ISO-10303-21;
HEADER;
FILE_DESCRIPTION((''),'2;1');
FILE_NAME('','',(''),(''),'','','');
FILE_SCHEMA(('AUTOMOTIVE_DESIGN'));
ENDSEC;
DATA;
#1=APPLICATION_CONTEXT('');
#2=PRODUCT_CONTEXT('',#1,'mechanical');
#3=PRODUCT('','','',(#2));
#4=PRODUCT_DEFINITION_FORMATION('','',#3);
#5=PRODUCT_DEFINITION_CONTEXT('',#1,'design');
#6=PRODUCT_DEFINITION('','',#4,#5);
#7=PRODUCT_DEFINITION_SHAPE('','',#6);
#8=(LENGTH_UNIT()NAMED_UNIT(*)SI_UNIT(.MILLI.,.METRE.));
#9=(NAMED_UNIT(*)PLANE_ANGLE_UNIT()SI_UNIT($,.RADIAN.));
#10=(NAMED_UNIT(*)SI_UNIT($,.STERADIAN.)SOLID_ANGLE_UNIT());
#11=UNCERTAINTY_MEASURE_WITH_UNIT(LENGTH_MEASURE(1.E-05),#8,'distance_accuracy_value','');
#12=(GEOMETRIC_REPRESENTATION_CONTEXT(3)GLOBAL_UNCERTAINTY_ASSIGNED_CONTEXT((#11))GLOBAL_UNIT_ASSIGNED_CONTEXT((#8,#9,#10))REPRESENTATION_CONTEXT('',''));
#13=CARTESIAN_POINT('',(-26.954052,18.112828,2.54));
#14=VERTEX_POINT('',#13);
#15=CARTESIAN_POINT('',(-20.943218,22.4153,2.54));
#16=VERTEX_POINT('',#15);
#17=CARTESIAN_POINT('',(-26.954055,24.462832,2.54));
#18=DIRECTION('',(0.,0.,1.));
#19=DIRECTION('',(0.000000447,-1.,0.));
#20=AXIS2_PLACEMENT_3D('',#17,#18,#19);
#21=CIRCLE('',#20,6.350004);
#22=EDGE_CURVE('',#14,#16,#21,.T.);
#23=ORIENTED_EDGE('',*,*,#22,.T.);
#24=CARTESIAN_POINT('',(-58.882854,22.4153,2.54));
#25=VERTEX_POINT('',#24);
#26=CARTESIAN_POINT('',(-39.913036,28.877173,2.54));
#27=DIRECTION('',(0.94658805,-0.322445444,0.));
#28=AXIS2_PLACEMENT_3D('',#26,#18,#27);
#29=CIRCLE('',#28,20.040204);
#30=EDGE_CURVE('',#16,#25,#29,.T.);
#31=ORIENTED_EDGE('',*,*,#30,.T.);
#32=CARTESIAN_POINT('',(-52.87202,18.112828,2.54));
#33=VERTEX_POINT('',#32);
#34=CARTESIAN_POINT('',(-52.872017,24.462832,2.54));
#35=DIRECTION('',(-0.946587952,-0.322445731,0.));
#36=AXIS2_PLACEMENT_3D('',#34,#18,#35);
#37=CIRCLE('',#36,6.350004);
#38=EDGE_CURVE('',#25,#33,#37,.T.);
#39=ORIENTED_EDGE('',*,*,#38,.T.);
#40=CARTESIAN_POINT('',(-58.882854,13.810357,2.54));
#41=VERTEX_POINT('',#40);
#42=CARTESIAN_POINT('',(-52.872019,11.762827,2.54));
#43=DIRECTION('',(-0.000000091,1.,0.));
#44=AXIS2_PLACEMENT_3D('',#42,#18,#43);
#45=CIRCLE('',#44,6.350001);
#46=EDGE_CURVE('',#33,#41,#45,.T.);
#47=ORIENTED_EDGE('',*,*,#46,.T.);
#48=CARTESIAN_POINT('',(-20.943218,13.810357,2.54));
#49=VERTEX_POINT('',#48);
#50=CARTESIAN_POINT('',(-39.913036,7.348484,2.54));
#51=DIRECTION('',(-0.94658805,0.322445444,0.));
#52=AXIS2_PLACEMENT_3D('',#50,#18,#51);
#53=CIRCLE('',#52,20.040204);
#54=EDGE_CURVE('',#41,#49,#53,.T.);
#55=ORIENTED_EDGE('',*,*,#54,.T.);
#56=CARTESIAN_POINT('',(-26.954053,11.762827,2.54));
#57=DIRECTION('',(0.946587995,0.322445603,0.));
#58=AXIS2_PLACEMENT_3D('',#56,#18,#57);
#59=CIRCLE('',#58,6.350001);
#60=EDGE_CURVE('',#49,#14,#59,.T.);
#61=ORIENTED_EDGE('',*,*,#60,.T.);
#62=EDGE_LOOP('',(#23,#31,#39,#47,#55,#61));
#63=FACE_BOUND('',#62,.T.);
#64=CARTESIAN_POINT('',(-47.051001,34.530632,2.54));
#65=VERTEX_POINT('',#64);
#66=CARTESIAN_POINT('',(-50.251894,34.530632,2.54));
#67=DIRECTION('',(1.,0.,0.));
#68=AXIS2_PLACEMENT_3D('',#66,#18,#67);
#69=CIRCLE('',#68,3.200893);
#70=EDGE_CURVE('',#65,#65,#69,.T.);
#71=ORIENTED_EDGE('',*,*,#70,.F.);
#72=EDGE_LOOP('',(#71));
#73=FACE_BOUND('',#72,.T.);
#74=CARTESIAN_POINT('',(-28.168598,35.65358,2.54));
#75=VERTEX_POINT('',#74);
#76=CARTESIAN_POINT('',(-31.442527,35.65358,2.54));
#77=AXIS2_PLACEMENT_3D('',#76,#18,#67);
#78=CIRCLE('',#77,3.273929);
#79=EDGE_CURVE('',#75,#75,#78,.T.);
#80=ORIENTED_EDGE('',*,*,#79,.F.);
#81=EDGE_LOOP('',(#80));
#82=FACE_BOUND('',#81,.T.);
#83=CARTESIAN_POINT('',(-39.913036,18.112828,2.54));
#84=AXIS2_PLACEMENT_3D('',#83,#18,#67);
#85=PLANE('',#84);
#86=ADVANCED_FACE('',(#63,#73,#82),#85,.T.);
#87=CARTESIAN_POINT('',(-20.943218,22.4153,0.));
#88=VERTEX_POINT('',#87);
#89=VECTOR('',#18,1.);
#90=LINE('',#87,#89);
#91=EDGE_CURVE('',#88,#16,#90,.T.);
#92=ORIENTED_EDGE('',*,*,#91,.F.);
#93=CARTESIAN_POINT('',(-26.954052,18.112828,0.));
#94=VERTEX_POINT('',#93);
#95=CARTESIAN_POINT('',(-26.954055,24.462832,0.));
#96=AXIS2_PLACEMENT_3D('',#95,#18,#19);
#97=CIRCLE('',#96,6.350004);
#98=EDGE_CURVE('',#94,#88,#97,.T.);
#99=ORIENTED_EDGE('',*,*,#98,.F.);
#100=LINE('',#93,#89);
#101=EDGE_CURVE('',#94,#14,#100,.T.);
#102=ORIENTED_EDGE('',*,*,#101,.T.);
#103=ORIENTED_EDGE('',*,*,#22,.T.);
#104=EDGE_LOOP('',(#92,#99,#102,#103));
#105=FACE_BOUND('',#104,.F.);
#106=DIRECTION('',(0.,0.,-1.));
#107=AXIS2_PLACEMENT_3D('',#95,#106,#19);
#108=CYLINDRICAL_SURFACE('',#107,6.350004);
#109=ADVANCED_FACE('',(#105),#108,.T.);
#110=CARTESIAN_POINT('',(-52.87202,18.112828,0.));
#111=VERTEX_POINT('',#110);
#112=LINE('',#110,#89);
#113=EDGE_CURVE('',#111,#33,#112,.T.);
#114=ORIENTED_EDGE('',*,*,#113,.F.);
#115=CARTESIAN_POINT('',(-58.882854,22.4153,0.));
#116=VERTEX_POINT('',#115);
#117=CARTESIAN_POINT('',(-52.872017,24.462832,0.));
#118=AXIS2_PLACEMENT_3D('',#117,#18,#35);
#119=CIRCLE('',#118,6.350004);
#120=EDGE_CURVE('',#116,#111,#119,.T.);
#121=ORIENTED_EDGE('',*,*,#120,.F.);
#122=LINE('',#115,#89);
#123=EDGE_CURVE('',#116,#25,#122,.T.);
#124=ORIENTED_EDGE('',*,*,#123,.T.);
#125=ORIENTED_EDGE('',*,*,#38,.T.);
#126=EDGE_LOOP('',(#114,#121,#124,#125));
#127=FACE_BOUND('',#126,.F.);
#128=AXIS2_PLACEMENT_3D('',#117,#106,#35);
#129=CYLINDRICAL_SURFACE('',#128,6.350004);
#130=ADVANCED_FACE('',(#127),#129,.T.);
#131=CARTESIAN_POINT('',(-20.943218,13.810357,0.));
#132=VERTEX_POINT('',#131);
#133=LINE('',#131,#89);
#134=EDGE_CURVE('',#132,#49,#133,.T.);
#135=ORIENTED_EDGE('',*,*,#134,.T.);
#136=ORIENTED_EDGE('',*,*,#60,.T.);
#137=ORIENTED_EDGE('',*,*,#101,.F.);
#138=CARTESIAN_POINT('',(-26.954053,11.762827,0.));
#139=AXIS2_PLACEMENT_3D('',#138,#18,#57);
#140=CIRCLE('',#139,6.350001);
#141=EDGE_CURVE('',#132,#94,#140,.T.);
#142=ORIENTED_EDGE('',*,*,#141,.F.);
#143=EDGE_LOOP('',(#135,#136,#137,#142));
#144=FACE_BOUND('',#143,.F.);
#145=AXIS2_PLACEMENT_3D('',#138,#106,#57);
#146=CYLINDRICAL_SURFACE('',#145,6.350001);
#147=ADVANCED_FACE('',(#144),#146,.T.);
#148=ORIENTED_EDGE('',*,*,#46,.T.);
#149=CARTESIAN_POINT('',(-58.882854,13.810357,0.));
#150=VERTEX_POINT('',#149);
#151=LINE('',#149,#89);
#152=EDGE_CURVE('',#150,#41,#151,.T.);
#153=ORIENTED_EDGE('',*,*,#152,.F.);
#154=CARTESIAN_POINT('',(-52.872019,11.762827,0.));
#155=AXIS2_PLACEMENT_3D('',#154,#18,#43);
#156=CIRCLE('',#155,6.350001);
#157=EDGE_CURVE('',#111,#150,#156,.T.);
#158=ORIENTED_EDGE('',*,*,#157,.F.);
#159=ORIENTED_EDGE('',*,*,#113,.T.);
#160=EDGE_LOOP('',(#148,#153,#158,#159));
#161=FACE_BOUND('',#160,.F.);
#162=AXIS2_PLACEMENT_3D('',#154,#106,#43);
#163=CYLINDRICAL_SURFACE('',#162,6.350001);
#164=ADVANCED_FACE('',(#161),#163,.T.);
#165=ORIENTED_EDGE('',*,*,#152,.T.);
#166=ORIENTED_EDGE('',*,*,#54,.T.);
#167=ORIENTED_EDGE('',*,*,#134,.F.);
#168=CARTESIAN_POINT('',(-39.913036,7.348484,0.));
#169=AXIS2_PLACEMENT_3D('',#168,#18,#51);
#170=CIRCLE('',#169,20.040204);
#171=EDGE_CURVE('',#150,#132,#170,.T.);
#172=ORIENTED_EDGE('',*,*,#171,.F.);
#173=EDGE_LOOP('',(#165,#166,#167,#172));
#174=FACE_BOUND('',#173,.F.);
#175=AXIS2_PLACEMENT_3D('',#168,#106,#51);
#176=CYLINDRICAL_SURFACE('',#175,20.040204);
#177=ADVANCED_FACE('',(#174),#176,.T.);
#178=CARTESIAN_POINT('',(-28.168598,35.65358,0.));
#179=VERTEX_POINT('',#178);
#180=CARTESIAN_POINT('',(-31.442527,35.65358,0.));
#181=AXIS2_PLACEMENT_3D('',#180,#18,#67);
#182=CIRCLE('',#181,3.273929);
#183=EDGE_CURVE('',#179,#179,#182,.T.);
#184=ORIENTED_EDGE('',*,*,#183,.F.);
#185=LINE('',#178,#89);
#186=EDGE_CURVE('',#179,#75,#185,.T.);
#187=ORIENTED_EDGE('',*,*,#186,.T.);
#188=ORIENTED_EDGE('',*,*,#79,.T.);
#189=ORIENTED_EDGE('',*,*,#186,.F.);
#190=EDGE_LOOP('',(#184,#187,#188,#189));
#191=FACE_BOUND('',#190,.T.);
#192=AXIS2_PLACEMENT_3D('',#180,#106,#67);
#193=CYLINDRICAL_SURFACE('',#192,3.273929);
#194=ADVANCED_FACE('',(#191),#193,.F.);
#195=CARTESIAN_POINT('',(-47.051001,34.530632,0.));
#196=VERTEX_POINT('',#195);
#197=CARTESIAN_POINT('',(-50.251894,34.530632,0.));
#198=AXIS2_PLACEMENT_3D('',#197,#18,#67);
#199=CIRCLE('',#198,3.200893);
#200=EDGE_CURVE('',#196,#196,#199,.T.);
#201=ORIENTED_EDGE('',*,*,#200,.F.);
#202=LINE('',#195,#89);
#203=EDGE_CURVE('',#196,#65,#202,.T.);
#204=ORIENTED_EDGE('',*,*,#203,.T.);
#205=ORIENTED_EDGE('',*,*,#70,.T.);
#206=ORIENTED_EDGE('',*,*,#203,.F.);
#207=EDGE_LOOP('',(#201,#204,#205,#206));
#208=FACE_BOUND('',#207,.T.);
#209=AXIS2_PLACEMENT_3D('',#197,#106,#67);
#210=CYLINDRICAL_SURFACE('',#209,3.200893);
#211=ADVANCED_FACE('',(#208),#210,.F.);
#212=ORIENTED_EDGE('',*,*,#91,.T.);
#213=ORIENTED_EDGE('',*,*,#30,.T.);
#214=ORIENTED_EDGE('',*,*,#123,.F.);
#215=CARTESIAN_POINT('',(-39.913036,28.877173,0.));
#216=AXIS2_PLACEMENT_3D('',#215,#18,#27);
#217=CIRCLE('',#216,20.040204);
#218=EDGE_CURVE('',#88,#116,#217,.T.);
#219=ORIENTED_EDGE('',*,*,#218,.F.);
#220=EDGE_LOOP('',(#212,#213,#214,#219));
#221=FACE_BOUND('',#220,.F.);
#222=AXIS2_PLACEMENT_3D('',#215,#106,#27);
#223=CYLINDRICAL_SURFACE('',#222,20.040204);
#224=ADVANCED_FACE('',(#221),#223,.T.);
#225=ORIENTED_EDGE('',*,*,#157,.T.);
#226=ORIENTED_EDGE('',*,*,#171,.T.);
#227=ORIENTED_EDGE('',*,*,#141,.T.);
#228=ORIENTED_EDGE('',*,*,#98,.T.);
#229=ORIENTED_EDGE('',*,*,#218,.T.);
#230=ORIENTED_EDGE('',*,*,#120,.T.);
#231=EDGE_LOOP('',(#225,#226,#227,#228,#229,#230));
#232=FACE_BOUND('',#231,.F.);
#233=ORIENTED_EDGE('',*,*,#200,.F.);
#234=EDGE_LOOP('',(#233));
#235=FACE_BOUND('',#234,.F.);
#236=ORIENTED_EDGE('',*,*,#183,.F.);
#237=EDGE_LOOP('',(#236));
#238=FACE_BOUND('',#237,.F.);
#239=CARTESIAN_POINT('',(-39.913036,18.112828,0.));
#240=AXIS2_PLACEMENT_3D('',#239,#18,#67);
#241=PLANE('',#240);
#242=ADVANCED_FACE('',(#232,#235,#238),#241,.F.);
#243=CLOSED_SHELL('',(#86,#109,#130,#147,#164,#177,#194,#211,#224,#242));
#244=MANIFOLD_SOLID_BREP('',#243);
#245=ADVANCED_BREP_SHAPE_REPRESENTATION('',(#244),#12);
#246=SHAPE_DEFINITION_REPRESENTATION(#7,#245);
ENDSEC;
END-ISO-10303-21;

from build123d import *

# Parameters (mm, degrees)
F0_R     = 3.200893
F0_R_2   = 3.273929
F1_DEPTH = 2.54


with BuildPart() as f1:
    # F0 (on Top) → F1 (new body)
    with BuildSketch(Plane.XY):
        with BuildLine():
            ThreePointArc((-58.882854, 22.4153), (-56.56801, 19.299288), (-52.87202, 18.112828))
            ThreePointArc((-52.87202, 18.112828), (-56.56801, 16.926369), (-58.882854, 13.810357))
            ThreePointArc((-58.882854, 13.810357), (-39.913036, -12.69172), (-20.943218, 13.810357))
            ThreePointArc((-20.943218, 13.810357), (-23.258062, 16.926369), (-26.954052, 18.112828))
            ThreePointArc((-26.954052, 18.112828), (-23.258062, 19.299288), (-20.943218, 22.4153))
            ThreePointArc((-20.943218, 22.4153), (-39.913036, 48.917377), (-58.882854, 22.4153))
        make_face()
        with Locations((-50.251894, 34.530632)):
            Circle(F0_R, mode=Mode.SUBTRACT)
        with Locations((-31.442527, 35.65358)):
            Circle(F0_R_2, mode=Mode.SUBTRACT)
    extrude(amount=F1_DEPTH)


solid = f1.part
